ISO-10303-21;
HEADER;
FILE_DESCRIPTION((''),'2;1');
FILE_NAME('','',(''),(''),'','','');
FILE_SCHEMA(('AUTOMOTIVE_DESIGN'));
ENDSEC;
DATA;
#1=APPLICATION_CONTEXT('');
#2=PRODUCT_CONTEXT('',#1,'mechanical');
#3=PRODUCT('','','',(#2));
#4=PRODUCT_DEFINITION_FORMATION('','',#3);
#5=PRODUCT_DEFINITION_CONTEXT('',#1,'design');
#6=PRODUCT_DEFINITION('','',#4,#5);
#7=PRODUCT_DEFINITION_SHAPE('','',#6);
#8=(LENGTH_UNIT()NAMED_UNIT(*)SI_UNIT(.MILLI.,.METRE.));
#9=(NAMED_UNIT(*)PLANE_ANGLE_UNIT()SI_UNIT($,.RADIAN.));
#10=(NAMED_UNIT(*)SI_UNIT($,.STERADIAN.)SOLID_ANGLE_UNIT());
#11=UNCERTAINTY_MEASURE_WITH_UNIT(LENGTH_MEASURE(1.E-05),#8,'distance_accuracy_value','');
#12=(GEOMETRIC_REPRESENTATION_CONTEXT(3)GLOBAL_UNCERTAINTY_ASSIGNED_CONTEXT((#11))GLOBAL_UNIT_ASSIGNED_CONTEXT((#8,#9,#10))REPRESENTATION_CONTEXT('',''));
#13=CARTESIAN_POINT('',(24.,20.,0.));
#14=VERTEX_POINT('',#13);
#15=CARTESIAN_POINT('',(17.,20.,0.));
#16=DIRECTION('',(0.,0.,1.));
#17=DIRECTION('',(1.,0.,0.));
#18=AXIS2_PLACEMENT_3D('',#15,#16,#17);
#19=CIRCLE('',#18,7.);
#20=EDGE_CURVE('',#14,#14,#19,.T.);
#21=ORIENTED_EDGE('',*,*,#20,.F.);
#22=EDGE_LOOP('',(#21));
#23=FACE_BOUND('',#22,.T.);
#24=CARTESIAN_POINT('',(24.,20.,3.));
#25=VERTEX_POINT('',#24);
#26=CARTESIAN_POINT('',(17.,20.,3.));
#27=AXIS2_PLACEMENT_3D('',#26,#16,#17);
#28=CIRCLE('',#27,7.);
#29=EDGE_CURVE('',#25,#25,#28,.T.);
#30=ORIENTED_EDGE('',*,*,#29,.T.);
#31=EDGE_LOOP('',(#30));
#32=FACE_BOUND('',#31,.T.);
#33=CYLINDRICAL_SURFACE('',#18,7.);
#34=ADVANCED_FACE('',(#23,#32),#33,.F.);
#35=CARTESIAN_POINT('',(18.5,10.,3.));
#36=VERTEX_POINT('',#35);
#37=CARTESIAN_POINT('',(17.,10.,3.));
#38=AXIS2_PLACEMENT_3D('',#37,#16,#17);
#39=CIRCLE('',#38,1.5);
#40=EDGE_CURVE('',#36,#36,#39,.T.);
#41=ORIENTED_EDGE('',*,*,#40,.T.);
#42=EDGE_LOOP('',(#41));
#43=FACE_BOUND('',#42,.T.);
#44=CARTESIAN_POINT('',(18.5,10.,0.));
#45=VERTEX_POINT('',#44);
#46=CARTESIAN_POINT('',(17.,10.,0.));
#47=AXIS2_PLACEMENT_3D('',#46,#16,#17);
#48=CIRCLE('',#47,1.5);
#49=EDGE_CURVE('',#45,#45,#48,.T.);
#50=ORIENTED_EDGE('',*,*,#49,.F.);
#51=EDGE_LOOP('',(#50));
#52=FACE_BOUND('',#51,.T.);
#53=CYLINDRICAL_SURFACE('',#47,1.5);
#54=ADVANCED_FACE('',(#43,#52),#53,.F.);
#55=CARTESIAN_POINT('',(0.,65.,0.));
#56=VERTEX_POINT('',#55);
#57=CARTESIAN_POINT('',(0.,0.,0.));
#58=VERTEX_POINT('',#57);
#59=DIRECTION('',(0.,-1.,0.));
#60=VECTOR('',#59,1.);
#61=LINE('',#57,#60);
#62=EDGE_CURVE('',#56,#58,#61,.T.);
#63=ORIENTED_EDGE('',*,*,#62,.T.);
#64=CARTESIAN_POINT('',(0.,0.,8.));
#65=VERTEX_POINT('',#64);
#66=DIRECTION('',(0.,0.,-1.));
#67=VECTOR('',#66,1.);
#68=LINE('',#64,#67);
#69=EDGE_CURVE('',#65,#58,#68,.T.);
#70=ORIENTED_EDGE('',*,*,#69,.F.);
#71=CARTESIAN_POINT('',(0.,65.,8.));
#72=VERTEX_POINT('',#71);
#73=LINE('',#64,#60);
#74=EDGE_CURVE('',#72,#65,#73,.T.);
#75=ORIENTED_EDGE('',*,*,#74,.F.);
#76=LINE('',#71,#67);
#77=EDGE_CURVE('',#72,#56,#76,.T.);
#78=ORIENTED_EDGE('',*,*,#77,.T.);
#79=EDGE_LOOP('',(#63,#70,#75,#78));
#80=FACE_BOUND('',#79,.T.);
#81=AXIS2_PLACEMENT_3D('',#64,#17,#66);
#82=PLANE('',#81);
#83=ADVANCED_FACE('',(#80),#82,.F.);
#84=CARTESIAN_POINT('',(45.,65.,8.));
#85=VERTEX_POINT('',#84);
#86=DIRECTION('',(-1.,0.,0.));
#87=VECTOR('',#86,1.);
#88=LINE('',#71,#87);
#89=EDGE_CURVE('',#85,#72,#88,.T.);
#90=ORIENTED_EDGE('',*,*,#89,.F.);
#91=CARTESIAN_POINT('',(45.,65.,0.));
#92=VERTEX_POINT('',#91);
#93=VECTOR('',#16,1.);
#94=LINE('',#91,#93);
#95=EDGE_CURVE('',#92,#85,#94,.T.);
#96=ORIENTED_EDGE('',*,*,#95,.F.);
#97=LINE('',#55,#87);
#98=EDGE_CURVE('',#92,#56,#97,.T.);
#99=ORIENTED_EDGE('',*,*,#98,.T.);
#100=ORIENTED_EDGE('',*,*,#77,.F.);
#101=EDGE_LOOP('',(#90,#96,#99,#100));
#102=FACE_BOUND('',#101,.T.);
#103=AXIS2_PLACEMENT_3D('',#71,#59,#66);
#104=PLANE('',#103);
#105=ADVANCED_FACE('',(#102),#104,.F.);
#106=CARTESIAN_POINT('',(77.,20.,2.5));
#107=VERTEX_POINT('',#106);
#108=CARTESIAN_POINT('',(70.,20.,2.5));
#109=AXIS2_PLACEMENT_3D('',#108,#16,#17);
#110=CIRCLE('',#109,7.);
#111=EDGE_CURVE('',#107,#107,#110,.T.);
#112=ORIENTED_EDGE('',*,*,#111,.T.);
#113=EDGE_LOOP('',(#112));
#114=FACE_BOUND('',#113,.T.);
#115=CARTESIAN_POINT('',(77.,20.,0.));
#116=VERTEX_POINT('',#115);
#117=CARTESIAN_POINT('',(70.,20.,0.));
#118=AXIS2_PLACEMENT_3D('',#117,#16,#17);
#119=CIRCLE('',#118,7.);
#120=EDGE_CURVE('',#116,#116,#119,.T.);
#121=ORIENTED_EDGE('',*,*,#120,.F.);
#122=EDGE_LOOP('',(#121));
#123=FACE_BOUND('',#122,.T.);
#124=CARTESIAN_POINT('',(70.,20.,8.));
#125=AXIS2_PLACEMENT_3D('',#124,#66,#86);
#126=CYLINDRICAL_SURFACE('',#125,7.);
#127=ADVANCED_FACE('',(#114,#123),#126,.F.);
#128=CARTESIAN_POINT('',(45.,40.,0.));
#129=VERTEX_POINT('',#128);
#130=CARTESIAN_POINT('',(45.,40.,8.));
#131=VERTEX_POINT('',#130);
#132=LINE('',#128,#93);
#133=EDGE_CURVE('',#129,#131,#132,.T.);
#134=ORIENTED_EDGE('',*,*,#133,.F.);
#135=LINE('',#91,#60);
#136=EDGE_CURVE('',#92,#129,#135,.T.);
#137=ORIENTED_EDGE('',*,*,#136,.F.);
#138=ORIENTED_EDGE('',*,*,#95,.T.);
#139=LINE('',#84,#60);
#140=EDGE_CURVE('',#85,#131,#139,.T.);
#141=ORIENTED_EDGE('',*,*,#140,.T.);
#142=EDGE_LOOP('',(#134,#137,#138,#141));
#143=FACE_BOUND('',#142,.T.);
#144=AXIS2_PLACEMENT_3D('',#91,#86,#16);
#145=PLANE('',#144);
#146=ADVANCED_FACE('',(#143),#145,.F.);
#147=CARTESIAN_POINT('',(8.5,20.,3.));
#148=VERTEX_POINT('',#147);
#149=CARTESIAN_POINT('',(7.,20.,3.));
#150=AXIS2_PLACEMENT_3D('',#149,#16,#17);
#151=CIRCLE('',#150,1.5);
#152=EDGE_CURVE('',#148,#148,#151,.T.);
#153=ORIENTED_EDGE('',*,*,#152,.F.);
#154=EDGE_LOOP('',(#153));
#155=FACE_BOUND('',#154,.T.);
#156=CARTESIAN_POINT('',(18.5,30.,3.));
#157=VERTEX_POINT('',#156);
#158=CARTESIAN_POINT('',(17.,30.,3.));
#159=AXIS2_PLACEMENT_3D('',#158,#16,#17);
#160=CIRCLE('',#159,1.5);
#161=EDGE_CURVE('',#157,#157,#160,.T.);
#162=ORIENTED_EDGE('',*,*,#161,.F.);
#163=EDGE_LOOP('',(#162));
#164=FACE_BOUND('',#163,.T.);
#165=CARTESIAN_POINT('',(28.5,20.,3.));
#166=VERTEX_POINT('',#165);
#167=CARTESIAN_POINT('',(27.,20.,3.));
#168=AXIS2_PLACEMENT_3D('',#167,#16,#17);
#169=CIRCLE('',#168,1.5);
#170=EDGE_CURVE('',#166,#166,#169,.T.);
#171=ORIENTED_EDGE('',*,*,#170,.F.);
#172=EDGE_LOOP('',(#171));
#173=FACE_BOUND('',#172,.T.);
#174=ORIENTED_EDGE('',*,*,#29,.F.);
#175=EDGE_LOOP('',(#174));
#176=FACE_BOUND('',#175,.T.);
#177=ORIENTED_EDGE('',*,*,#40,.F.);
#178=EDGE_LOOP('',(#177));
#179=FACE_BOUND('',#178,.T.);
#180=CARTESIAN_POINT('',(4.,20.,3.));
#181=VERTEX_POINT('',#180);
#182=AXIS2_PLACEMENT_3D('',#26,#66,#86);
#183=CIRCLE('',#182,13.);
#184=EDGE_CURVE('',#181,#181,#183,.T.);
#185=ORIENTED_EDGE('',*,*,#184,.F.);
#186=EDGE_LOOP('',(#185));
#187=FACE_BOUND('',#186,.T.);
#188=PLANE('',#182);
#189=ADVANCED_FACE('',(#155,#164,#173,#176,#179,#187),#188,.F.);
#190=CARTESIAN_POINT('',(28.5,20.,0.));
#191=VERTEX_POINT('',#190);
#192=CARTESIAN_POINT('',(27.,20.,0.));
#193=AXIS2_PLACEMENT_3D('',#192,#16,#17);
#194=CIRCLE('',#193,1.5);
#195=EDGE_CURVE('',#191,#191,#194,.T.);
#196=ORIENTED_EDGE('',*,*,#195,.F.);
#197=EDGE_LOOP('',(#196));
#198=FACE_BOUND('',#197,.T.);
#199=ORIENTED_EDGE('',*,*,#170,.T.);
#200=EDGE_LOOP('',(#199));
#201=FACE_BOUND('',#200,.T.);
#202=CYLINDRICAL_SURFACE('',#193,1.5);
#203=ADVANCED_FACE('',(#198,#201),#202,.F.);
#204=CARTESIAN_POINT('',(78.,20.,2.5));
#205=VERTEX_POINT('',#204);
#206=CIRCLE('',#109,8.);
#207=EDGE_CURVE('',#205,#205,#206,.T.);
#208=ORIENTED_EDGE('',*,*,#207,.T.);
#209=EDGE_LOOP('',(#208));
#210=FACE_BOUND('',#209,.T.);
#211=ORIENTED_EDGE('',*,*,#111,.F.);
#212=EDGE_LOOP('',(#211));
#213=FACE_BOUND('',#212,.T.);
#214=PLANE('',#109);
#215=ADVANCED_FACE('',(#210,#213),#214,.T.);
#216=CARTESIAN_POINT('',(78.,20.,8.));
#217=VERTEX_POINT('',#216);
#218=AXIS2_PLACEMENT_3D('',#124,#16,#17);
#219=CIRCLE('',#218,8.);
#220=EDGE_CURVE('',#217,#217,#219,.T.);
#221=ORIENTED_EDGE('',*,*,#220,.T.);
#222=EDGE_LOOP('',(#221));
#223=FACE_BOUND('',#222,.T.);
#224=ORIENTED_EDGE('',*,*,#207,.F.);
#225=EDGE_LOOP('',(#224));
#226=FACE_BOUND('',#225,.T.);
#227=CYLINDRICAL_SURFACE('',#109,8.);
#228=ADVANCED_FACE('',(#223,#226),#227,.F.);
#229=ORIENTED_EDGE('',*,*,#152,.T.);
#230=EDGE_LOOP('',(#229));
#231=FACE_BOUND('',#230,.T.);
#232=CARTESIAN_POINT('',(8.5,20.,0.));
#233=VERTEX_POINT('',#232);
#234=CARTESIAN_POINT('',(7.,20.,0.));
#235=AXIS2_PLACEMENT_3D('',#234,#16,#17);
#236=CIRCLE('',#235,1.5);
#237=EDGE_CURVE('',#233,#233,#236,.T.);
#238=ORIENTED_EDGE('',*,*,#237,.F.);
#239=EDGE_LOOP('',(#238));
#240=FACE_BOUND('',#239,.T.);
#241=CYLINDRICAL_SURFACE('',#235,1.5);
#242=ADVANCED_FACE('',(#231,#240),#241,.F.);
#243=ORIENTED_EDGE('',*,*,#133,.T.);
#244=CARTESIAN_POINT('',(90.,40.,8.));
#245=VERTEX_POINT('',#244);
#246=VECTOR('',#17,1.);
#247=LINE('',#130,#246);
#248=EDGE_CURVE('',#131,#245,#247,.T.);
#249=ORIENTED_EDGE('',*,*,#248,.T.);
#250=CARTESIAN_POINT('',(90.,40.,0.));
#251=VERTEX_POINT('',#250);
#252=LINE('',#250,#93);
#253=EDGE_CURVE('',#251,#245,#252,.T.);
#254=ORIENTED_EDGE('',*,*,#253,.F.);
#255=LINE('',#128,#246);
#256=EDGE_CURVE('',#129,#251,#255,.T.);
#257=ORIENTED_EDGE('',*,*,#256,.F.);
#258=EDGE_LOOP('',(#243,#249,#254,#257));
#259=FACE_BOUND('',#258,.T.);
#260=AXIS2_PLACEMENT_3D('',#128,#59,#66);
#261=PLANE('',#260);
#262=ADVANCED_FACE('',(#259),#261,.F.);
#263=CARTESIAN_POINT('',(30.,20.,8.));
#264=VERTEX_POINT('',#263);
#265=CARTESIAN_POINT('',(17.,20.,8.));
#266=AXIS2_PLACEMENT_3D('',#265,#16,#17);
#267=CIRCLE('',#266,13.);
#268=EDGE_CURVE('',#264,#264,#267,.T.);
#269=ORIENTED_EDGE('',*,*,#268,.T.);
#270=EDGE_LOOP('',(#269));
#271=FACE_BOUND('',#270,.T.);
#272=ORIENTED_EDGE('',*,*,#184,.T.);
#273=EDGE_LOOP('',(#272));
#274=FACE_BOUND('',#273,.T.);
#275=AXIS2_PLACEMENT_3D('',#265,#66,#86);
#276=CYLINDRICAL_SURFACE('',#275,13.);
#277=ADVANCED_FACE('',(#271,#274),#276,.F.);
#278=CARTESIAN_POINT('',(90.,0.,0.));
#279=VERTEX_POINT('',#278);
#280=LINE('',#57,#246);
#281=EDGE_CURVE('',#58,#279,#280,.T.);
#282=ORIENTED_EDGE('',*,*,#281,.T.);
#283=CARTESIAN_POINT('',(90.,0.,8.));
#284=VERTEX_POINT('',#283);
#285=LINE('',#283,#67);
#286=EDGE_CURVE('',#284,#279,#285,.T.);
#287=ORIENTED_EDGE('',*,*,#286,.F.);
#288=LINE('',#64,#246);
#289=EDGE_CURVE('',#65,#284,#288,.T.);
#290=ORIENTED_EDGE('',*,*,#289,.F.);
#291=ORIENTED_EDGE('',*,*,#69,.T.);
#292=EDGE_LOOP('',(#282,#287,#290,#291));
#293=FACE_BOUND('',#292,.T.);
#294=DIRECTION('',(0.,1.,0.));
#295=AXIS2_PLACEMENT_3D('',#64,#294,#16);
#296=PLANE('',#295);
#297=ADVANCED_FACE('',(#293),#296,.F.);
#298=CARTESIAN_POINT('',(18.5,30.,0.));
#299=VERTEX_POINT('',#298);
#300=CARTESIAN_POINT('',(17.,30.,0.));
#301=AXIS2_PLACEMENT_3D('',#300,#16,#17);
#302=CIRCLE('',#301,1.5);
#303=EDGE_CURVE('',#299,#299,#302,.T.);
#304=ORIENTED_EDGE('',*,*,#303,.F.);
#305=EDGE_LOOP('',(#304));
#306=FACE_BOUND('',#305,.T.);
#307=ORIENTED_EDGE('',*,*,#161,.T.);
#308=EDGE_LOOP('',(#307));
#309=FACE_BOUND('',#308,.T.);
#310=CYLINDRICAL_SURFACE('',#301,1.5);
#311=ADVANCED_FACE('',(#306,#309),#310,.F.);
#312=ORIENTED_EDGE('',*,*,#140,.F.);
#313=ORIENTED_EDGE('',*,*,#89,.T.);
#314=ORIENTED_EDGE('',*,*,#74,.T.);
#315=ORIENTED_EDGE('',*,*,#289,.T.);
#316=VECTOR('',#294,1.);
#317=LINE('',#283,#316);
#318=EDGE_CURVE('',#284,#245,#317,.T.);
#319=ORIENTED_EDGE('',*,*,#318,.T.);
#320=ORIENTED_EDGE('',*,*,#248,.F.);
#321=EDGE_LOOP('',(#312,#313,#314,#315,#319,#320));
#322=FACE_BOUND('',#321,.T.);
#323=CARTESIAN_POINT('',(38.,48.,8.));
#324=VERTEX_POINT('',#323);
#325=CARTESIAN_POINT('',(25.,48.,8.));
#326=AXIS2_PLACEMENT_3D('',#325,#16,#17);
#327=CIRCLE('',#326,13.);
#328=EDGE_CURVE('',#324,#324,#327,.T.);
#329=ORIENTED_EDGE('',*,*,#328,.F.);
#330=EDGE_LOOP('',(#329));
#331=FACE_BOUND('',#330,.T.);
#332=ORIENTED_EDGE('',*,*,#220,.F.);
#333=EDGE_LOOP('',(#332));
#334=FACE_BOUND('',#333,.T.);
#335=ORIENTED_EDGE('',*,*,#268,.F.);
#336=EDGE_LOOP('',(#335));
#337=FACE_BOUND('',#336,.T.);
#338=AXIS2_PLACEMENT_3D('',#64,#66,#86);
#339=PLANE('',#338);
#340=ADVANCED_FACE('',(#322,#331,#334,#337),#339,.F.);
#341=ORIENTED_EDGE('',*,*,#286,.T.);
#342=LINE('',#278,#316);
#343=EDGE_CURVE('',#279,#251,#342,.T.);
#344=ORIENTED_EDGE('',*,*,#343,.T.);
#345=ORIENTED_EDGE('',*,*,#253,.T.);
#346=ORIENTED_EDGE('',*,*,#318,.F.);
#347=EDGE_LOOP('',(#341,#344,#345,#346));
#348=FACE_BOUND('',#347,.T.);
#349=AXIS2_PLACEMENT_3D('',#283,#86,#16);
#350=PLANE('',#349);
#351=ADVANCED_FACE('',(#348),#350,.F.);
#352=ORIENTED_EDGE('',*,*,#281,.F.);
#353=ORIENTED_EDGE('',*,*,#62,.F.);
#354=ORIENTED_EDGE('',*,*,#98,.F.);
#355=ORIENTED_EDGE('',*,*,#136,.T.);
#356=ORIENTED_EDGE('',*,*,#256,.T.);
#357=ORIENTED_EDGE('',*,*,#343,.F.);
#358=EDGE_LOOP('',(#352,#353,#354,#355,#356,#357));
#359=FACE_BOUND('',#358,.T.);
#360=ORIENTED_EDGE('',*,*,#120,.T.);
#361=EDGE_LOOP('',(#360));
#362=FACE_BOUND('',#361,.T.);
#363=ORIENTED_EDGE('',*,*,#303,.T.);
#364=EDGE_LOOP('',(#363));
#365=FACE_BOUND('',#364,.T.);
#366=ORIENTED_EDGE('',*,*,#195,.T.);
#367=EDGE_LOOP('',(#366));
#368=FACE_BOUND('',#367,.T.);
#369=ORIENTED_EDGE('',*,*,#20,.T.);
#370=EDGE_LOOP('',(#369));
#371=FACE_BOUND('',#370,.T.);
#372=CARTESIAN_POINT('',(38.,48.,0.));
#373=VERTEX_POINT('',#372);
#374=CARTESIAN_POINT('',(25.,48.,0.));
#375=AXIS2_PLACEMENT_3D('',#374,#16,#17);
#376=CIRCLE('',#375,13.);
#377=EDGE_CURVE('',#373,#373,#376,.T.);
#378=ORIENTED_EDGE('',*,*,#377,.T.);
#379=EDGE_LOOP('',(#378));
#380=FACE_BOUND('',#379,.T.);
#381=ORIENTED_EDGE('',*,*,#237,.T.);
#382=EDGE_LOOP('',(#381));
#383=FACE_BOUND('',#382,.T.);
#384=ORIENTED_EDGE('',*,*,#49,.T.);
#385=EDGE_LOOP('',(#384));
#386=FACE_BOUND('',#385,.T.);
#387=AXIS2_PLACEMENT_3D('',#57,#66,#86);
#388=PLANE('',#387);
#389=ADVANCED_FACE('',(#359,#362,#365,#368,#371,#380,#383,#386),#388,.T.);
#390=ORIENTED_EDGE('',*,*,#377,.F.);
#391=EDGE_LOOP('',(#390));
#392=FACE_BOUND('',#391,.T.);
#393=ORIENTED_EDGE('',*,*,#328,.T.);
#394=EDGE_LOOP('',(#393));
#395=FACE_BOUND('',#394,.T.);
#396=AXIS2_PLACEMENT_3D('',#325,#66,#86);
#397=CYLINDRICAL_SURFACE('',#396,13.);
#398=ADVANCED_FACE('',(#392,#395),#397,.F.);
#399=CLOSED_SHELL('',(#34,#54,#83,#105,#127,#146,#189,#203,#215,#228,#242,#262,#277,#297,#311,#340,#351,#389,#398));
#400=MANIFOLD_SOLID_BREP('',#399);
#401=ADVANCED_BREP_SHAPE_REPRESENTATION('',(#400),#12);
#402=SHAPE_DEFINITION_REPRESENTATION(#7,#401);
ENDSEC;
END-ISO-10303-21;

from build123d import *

# Parameters (mm, degrees)
ESQUISSE1_W             = 90
ESQUISSE1_H             = 65
ESQUISSE1_R             = 7
ESQUISSE1_R_2           = 13
BOSS_EXTRU_1_DEPTH      = 8
ESQUISSE2_R             = 13
BOSS_EXTRU_2_DEPTH      = 3
ESQUISSE3_R             = 7
ESQUISSE3_R_2           = 1.5
ENL_V_MAT_EXTRU_1_DEPTH = 112.130553854
ESQUISSE4_R             = 8
ENL_V_MAT_EXTRU_2_DEPTH = 5.5
ESQUISSE5_W             = 45
ESQUISSE5_H             = 25
ENL_V_MAT_EXTRU_3_DEPTH = 112.30588484


with BuildPart() as part:
    # Esquisse1 → Boss.-Extru.1 (new body)
    with BuildSketch(Plane.XY):
        with Locations((45, 32.5)):
            Rectangle(ESQUISSE1_W, ESQUISSE1_H)
        with Locations((70, 20)):
            Circle(ESQUISSE1_R, mode=Mode.SUBTRACT)
        with Locations((17, 20)):
            Circle(ESQUISSE1_R_2, mode=Mode.SUBTRACT)
        with Locations((25, 48)):
            Circle(ESQUISSE1_R_2, mode=Mode.SUBTRACT)
    extrude(amount=BOSS_EXTRU_1_DEPTH)

    # Esquisse2 → Boss.-Extru.2 (add)
    with BuildSketch(Plane(origin=(0, 0, 0), x_dir=(-1, 0, 0), z_dir=(0, 0, -1))):
        with Locations((-17, 20)):
            Circle(ESQUISSE2_R)
    extrude(amount=-BOSS_EXTRU_2_DEPTH)

    # Esquisse3 → Enlèv. mat.-Extru.1 (cut, through all)
    with BuildSketch(Plane.XY.offset(3)):
        with Locations((17, 20)):
            Circle(ESQUISSE3_R)
        with Locations((27, 20)):
            Circle(ESQUISSE3_R_2)
        with Locations((17, 10)):
            Circle(ESQUISSE3_R_2)
        with Locations((7, 20)):
            Circle(ESQUISSE3_R_2)
        with Locations((17, 30)):
            Circle(ESQUISSE3_R_2)
    extrude(amount=-ENL_V_MAT_EXTRU_1_DEPTH, mode=Mode.SUBTRACT)

    # Esquisse4 → Enlèv. mat.-Extru.2 (cut)
    with BuildSketch(Plane.XY.offset(8)):
        with Locations((70, 20)):
            Circle(ESQUISSE4_R)
    extrude(amount=-ENL_V_MAT_EXTRU_2_DEPTH, mode=Mode.SUBTRACT)

    # Esquisse5 → Enlèv. mat.-Extru.3 (cut, through all)
    with BuildSketch(Plane.XY.offset(8)):
        with Locations((67.5, 52.5)):
            Rectangle(ESQUISSE5_W, ESQUISSE5_H)
    extrude(amount=-ENL_V_MAT_EXTRU_3_DEPTH, mode=Mode.SUBTRACT)


solid = part.part
